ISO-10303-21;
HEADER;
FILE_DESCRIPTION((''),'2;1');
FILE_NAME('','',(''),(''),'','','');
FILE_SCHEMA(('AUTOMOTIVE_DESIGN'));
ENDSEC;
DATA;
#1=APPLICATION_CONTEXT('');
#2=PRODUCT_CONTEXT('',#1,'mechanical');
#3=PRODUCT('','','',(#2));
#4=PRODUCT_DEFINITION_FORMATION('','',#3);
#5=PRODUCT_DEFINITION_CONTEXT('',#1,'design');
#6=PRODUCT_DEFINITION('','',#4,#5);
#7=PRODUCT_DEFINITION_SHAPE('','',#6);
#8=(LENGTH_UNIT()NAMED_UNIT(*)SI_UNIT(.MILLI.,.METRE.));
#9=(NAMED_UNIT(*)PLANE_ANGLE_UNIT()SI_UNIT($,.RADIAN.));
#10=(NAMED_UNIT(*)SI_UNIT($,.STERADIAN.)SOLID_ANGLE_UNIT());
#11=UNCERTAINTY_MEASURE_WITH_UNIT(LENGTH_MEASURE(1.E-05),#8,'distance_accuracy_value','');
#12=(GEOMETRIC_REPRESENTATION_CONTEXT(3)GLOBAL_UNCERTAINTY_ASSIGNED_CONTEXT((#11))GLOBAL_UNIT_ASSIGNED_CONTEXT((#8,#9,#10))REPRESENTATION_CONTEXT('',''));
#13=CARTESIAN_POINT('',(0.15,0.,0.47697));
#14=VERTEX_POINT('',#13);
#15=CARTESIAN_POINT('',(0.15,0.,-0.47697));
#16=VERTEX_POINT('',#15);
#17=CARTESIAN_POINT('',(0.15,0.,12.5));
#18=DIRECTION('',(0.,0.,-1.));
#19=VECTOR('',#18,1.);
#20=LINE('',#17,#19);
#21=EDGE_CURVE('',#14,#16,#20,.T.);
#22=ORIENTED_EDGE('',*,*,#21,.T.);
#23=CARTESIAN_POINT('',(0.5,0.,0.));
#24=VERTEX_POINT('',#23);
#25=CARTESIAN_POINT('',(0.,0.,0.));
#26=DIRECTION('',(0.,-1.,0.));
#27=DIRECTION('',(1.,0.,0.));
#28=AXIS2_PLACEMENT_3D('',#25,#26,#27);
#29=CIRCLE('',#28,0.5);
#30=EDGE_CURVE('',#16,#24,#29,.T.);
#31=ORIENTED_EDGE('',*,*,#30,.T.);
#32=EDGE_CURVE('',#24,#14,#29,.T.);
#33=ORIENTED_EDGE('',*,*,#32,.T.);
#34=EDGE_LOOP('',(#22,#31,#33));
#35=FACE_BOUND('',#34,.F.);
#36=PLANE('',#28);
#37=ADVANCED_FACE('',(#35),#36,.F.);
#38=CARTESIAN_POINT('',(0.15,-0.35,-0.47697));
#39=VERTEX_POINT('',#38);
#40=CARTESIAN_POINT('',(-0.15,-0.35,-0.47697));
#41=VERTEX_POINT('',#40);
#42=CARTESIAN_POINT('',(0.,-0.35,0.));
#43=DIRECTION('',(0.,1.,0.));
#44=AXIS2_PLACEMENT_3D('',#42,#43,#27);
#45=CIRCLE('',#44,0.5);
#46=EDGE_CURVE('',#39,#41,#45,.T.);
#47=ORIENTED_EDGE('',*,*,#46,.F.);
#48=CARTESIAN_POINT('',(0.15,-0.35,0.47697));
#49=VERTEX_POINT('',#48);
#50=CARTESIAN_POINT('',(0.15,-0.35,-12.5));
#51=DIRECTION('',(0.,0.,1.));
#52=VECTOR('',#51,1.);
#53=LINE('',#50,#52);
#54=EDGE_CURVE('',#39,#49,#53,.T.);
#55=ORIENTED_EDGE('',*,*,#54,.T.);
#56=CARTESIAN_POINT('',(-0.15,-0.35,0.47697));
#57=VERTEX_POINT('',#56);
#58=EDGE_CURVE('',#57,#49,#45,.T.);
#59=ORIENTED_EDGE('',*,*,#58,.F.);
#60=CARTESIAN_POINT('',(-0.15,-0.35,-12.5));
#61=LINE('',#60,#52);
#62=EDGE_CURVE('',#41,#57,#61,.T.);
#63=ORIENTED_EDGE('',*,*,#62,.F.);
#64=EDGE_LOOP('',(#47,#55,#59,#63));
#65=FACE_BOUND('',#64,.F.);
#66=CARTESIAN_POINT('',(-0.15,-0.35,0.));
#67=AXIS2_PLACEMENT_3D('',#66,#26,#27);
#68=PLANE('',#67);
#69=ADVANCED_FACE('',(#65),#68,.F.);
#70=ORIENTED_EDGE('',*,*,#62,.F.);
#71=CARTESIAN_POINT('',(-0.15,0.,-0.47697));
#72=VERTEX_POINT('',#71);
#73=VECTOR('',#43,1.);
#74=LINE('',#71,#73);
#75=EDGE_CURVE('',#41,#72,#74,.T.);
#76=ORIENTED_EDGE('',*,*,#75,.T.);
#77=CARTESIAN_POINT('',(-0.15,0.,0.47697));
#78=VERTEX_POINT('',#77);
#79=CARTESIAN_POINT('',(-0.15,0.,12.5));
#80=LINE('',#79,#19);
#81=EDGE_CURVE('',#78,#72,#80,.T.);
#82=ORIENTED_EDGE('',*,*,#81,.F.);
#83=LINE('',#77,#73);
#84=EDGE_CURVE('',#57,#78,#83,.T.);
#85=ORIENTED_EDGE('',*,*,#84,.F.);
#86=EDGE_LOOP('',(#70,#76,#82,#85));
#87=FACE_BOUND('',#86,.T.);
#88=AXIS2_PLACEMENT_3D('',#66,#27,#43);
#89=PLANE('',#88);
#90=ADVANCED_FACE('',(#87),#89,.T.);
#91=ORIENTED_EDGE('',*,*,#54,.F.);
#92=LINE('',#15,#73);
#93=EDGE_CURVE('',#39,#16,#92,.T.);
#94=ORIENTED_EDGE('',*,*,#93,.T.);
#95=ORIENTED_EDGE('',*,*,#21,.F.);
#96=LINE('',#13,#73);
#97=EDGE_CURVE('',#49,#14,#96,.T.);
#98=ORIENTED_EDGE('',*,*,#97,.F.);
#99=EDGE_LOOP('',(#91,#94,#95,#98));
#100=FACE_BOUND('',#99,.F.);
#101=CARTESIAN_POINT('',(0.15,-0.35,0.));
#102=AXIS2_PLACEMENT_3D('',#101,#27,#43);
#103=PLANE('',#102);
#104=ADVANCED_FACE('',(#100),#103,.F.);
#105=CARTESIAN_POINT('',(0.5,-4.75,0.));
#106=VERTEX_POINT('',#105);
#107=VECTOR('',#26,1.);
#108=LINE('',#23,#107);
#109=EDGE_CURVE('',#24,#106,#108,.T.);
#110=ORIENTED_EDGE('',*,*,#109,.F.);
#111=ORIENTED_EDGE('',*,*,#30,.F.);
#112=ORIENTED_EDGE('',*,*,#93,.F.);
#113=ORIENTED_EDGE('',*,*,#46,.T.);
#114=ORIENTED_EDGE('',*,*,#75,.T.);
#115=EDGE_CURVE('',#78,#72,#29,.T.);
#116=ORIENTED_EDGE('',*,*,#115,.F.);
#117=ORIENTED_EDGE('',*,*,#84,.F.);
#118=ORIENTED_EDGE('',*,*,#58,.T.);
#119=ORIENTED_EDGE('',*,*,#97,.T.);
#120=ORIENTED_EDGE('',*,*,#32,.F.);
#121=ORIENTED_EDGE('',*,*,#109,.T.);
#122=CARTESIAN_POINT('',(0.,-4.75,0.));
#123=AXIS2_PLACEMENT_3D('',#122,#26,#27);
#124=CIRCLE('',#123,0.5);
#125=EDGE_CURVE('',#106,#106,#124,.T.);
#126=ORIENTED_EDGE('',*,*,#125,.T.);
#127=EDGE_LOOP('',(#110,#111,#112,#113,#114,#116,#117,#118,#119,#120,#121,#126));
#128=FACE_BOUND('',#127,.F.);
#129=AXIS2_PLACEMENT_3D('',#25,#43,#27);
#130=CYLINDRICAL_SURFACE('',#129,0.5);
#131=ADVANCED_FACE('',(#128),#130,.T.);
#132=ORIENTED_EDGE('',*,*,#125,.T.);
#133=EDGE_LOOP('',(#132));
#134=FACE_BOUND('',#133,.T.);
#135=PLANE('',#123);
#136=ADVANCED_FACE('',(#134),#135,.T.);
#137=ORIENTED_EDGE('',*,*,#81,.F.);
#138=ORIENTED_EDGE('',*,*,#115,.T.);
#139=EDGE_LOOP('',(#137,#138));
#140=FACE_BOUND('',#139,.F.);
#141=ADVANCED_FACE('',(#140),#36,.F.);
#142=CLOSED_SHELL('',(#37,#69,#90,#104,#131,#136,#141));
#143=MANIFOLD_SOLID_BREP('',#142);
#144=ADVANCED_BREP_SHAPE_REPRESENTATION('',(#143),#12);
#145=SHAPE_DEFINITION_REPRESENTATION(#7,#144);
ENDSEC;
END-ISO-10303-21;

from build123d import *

# Parameters (mm, degrees)
F0_R     = 0.5
F1_DEPTH = 4.75
F2_W     = 0.3
F2_H     = 0.35
F3_DEPTH = 12.5


with BuildPart() as f1:
    # F0 (on Front) → F1 (new body)
    with BuildSketch(Plane.XZ):
        Circle(F0_R)
    extrude(amount=F1_DEPTH)

    # F2 (on Top) → F3 (cut, symmetric)
    with BuildSketch(Plane.XY):
        with Locations((0, -0.175)):
            Rectangle(F2_W, F2_H)
    extrude(amount=F3_DEPTH, both=True, mode=Mode.SUBTRACT)


solid = f1.part
